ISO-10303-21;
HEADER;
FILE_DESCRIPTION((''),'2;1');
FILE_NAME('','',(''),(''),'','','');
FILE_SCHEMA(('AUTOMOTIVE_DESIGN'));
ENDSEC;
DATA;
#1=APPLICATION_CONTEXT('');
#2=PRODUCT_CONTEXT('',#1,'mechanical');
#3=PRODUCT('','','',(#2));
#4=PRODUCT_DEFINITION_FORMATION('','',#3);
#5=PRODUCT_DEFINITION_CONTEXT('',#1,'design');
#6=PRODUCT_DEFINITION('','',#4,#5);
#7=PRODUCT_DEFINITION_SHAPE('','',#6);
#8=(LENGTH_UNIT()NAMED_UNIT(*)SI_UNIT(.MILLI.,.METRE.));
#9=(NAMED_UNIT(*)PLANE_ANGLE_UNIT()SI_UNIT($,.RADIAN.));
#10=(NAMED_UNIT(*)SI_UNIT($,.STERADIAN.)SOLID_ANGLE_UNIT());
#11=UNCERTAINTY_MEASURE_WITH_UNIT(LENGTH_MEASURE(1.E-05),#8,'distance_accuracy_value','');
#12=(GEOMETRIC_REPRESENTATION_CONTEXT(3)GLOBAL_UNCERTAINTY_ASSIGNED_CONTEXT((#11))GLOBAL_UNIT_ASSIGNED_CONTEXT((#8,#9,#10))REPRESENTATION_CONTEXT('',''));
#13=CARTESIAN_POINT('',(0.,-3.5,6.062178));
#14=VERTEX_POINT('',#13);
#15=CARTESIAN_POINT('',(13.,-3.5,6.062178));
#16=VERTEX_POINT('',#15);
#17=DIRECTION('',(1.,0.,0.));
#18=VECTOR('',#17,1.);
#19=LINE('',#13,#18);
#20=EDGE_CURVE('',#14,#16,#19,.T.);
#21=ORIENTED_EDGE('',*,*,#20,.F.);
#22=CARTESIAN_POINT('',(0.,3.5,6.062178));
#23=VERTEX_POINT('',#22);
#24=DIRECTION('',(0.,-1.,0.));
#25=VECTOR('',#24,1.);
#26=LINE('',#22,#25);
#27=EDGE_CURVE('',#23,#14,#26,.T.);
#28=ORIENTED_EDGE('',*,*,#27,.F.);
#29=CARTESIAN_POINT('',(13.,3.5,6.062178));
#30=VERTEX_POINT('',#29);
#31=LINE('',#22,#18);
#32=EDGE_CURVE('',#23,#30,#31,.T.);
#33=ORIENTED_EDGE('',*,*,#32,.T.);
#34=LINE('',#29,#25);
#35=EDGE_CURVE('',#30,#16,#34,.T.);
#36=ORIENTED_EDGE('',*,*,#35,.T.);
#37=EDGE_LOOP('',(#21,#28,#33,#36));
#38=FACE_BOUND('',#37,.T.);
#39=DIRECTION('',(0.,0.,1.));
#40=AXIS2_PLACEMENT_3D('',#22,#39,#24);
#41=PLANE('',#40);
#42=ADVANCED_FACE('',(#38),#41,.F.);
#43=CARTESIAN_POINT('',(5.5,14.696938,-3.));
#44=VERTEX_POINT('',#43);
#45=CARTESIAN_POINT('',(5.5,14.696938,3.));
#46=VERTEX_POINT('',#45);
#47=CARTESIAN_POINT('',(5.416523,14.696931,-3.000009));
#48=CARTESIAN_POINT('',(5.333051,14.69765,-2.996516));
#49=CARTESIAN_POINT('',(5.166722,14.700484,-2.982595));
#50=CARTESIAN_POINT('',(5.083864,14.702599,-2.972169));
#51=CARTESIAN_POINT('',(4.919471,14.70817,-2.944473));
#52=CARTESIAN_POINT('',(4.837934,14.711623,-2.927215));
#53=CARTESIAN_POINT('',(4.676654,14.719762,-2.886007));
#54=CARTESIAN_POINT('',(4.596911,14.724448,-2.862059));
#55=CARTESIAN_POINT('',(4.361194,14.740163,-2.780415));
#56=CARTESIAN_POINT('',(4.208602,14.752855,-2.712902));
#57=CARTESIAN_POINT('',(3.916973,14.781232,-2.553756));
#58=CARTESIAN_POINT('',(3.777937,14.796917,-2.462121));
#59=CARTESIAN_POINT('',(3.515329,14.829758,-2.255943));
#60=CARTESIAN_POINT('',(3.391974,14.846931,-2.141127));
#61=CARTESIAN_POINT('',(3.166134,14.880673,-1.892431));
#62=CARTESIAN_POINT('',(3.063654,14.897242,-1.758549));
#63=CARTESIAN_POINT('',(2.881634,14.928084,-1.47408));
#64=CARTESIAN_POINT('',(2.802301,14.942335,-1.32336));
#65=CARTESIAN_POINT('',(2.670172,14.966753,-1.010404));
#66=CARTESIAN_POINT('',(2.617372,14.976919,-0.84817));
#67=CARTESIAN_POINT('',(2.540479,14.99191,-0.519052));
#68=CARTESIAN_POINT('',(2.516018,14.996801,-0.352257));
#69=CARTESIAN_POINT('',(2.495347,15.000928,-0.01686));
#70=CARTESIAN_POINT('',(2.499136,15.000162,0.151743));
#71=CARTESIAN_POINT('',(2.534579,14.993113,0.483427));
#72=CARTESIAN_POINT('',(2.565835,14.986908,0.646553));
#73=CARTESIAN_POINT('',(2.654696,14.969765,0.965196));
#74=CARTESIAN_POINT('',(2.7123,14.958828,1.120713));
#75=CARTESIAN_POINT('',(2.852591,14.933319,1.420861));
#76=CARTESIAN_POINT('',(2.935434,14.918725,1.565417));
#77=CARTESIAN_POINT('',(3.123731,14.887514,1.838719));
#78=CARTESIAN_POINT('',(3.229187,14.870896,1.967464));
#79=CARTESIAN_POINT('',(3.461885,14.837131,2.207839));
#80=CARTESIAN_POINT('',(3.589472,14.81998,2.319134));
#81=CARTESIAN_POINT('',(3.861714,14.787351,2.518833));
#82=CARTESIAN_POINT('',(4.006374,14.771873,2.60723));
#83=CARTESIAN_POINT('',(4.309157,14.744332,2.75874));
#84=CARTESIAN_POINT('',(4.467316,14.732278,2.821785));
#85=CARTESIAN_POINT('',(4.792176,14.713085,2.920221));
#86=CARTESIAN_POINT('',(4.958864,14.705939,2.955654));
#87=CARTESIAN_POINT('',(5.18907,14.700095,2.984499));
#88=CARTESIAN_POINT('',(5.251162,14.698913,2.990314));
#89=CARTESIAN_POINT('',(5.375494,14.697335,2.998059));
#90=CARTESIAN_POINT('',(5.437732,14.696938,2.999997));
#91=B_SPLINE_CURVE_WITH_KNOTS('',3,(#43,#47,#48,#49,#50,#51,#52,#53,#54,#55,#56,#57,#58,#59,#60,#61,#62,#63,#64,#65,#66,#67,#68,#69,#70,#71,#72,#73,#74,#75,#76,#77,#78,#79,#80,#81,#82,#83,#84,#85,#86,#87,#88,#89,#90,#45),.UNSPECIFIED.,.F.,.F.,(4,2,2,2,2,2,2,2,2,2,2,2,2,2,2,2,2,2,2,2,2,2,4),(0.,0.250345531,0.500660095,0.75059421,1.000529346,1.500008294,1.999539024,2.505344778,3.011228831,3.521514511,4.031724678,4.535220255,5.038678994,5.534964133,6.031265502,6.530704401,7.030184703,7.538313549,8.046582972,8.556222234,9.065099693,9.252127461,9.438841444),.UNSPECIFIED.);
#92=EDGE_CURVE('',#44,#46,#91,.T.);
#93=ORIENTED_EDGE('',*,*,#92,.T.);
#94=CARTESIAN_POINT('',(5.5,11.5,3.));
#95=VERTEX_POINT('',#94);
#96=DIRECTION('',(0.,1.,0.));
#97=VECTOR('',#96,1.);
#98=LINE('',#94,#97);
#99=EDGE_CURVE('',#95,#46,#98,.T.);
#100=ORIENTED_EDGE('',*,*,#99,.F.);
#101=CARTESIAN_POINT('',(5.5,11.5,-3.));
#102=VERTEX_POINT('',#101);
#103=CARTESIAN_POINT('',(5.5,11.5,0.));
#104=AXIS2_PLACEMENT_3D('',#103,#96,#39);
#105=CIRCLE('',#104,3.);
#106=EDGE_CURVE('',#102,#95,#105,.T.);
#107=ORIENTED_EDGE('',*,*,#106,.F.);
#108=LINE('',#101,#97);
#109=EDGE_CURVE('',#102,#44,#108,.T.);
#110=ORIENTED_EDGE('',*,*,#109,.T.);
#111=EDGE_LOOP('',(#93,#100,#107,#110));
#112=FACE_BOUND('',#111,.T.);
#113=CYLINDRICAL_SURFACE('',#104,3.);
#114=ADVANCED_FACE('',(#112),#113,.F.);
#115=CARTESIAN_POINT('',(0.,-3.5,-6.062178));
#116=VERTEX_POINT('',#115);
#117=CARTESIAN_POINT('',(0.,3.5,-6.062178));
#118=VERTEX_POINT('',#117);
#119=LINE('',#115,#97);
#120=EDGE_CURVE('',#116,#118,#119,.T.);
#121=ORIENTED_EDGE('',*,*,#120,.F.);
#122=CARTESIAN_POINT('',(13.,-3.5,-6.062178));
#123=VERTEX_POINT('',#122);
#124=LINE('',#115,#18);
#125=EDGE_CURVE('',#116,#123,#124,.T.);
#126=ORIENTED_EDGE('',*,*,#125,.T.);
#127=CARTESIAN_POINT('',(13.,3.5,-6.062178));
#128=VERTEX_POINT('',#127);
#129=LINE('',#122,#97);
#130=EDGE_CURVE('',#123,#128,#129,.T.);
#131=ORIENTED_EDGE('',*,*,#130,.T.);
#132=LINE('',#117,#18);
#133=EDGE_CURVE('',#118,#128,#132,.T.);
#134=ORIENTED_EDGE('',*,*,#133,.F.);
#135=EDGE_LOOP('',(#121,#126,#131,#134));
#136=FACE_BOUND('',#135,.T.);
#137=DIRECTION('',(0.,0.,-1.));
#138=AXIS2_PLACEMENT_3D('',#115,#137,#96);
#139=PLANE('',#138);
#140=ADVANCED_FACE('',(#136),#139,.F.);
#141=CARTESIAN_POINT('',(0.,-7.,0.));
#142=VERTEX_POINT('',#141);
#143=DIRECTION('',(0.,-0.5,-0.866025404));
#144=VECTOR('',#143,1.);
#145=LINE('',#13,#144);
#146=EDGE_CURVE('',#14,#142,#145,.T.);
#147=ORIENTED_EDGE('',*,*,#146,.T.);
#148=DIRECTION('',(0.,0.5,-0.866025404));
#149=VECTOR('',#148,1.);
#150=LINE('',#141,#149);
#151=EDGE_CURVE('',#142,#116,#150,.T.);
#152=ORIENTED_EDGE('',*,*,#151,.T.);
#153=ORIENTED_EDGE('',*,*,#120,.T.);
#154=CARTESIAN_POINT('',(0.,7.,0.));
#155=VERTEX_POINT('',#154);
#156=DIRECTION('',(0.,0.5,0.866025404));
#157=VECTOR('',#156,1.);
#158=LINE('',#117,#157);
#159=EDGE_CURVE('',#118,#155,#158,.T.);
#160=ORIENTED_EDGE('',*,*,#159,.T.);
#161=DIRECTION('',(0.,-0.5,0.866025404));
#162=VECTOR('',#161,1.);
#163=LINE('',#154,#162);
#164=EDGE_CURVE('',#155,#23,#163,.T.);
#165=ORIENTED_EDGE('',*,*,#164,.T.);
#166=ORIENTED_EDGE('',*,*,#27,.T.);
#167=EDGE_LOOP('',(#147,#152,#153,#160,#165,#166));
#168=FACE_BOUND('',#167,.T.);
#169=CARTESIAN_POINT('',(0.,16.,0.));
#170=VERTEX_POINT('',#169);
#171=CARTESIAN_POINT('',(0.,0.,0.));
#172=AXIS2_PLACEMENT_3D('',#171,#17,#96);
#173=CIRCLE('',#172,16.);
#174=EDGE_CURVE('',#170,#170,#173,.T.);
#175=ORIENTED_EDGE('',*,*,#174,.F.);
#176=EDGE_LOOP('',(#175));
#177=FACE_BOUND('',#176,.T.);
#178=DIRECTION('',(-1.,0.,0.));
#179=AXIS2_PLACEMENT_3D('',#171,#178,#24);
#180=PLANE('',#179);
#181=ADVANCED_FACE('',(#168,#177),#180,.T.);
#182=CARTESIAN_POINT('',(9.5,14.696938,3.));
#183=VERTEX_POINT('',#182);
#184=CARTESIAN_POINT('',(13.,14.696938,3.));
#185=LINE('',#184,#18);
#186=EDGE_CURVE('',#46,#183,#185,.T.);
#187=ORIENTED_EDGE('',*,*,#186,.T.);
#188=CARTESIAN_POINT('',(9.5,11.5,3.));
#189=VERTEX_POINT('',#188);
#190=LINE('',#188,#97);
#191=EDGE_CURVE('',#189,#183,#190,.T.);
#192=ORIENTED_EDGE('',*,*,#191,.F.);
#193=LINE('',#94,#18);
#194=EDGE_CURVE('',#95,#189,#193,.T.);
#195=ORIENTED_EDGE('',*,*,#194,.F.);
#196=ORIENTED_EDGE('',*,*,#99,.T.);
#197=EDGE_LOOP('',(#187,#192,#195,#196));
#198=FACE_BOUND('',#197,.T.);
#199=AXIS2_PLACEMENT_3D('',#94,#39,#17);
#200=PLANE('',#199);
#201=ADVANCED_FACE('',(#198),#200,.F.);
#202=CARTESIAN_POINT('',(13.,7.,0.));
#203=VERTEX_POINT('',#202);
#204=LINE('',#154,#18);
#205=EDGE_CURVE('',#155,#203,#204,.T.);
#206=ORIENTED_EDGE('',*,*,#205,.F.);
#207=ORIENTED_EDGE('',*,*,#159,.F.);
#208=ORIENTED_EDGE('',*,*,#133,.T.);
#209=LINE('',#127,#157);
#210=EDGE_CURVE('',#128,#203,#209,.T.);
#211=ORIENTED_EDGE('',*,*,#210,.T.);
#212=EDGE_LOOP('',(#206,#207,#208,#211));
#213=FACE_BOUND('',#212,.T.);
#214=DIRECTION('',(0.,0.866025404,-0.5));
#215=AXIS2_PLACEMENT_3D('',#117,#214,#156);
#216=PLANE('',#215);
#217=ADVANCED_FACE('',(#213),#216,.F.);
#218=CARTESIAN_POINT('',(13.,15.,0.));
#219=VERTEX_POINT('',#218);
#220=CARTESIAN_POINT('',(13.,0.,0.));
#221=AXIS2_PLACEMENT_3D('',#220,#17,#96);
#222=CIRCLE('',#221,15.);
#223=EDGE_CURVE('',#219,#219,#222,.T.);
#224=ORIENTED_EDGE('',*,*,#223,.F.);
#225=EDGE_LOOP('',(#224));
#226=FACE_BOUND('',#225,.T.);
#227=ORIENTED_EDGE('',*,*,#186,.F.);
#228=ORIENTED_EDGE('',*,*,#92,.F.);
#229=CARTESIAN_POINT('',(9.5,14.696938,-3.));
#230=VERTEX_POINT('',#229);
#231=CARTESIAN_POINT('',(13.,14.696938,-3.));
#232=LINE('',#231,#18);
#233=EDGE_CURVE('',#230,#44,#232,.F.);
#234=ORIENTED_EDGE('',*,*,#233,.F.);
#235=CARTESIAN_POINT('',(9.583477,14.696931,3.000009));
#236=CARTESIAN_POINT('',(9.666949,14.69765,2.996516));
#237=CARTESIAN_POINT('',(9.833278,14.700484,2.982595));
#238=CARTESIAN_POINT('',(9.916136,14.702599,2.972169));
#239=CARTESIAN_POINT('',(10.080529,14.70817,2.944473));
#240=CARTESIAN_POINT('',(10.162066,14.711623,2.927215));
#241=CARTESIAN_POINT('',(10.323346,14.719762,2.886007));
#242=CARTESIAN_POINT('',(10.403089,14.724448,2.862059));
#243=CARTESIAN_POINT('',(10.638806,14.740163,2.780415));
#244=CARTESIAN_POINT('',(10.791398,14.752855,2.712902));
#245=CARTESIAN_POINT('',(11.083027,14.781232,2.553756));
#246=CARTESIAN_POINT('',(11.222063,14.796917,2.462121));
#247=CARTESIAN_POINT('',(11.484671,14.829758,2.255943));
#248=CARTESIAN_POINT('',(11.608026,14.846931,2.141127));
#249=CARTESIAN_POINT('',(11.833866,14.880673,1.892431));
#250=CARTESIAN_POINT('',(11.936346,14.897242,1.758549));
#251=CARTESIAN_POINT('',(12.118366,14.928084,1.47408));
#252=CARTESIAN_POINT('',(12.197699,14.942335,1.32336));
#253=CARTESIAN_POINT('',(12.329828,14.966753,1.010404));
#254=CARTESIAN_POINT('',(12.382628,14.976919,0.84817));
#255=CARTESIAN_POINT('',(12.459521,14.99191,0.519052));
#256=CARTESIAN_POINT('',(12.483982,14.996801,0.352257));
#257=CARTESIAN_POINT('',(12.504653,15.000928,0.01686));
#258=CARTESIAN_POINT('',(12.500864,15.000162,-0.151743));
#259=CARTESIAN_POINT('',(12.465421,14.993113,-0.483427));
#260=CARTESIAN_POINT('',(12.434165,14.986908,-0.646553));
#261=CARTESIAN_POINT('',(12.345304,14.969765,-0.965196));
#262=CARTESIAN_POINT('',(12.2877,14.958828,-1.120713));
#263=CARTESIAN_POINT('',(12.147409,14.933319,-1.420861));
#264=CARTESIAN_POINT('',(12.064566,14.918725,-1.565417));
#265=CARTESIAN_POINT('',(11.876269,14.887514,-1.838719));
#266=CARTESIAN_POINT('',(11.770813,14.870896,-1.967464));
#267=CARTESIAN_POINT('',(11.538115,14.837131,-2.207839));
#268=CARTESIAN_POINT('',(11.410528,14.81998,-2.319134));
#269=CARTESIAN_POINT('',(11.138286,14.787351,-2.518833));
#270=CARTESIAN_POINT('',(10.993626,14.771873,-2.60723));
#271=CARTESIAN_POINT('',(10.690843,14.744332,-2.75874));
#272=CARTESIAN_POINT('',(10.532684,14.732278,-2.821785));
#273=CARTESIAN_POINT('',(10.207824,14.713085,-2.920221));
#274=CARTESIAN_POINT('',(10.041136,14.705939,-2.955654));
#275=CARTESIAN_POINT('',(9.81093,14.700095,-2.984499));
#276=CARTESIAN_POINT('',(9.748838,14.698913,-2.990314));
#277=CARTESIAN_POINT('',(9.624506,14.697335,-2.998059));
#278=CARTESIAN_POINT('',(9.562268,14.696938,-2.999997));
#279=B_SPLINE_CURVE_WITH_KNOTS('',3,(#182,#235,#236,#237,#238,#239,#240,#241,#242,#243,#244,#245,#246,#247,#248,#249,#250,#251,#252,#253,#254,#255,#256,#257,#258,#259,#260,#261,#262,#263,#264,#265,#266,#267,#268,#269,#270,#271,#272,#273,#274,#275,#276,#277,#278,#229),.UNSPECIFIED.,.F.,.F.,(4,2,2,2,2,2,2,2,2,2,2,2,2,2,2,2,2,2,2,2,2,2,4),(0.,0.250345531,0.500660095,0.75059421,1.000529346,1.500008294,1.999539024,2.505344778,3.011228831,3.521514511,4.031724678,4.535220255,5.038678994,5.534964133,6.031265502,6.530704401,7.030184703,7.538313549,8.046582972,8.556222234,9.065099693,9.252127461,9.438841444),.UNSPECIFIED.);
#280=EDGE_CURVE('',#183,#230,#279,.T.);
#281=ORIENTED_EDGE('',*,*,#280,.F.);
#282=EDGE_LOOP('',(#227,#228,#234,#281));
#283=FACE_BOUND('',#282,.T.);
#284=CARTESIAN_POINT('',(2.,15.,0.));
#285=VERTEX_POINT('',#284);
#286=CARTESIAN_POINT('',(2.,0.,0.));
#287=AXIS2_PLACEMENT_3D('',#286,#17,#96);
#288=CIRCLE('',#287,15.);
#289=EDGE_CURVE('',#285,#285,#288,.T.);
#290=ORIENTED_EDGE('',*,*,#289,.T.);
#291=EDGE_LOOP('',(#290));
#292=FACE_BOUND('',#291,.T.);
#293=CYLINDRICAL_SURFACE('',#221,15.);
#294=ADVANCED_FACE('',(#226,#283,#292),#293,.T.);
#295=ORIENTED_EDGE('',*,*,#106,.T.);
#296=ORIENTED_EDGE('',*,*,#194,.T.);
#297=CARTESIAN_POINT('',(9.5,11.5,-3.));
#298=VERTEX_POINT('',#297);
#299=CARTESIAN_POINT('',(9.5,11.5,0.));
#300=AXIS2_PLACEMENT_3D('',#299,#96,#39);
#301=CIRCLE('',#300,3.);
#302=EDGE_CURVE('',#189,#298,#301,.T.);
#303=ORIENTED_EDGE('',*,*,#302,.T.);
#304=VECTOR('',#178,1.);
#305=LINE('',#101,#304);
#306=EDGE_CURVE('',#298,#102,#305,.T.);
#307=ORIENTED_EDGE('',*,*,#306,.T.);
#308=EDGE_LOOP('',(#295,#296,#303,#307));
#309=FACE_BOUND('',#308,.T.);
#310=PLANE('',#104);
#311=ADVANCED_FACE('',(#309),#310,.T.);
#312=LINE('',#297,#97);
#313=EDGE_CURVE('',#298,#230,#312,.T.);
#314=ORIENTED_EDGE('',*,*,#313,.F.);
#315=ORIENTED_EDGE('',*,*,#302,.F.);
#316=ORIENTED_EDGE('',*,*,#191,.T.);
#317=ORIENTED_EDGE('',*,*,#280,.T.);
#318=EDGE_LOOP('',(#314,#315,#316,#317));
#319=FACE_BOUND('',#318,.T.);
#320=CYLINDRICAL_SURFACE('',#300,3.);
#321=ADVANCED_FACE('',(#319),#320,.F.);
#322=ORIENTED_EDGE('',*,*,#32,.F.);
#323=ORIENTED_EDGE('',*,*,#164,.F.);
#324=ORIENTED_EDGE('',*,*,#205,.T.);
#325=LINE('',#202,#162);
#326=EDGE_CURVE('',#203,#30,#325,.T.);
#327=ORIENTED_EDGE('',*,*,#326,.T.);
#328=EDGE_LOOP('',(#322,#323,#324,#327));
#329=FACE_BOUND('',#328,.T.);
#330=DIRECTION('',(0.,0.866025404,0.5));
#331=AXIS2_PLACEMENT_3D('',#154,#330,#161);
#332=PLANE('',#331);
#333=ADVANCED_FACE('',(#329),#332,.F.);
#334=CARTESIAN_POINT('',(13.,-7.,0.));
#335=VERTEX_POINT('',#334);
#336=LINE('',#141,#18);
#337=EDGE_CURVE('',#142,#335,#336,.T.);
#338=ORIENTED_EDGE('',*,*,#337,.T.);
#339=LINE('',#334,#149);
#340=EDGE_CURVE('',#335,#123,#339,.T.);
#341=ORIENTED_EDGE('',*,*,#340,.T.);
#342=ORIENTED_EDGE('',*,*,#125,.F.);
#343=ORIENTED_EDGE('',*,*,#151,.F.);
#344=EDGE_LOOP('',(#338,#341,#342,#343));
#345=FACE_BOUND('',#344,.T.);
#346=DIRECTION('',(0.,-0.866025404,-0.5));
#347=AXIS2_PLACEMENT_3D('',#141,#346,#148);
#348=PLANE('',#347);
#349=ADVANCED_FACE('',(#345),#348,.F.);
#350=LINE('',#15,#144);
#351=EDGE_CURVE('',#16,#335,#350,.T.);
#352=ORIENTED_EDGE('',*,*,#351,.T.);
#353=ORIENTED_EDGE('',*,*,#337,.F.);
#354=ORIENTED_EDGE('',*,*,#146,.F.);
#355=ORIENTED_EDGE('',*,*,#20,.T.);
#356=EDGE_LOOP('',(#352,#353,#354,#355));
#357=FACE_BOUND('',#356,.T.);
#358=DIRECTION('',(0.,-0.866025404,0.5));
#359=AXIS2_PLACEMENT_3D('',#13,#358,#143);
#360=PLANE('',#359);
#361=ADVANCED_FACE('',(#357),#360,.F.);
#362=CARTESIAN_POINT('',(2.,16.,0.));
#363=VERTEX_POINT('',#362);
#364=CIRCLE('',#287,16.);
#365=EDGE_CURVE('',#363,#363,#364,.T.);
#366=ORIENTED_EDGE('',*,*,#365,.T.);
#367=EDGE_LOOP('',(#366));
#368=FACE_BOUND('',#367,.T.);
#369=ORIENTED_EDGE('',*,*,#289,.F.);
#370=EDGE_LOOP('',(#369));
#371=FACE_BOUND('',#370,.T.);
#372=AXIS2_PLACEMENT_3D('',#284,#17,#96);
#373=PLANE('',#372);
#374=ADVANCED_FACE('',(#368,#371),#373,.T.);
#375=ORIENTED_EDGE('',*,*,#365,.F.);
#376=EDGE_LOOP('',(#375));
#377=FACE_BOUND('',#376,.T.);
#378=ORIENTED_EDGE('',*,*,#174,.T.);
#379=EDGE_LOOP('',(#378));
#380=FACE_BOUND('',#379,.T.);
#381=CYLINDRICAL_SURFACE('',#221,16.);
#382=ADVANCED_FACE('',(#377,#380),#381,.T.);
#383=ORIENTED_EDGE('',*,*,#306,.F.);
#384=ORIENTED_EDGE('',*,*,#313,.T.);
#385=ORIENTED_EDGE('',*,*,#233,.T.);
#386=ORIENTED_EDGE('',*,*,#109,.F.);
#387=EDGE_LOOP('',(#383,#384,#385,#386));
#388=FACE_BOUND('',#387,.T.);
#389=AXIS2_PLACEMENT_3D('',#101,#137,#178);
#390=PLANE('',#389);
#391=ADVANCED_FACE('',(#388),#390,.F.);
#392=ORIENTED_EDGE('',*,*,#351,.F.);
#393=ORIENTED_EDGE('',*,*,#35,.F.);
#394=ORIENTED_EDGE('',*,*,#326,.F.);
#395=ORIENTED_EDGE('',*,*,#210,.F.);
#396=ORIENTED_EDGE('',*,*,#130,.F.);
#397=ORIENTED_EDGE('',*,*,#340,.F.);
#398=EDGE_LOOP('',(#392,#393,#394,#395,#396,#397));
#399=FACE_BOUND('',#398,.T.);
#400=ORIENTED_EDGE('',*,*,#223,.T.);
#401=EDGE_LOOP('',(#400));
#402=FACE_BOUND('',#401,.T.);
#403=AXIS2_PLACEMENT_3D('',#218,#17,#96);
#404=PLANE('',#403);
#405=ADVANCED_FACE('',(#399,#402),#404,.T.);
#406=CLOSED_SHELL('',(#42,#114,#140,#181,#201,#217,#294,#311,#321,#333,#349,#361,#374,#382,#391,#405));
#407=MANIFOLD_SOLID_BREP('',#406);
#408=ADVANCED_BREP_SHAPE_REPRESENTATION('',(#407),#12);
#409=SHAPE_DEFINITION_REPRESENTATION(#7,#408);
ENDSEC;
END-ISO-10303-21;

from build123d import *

# Parameters (mm, degrees)
CUT_EXTRUDE1_DEPTH = 27.095976701
CUT_EXTRUDE2_DEPTH = 3.5


with BuildPart() as part:
    # Sketch1 → Revolve1 (revolve)
    with BuildSketch(Plane.XY):
        Polygon((0, 0), (0, 16), (2, 16), (2, 15), (13, 15), (13, 0), align=None)
    revolve(axis=Axis((13, 0, 0), (-1, 0, 0)))

    # Sketch2 → Cut-Extrude1 (cut, through all)
    with BuildSketch(Plane(origin=(13, 0, 0), x_dir=(0, 0, -1), z_dir=(1, 0, 0))):
        Polygon((0, 7), (-6.062177826, 3.5), (-6.062177826, -3.5), (0, -7), (6.062177826, -3.5), (6.062177826, 3.5), align=None)
    extrude(amount=-CUT_EXTRUDE1_DEPTH, mode=Mode.SUBTRACT)

    # Sketch3 → Cut-Extrude2 (cut)
    with BuildSketch(Plane(origin=(0, 15, 0), x_dir=(1, 0, 0), z_dir=(0, 1, 0))):
        with BuildLine():
            Line((5.5, 3), (9.5, 3))
            ThreePointArc((9.5, 3), (12.5, 0), (9.5, -3))
            Line((9.5, -3), (5.5, -3))
            ThreePointArc((5.5, -3), (2.5, 0), (5.5, 3))
        make_face()
    extrude(amount=-CUT_EXTRUDE2_DEPTH, mode=Mode.SUBTRACT)


solid = part.part
